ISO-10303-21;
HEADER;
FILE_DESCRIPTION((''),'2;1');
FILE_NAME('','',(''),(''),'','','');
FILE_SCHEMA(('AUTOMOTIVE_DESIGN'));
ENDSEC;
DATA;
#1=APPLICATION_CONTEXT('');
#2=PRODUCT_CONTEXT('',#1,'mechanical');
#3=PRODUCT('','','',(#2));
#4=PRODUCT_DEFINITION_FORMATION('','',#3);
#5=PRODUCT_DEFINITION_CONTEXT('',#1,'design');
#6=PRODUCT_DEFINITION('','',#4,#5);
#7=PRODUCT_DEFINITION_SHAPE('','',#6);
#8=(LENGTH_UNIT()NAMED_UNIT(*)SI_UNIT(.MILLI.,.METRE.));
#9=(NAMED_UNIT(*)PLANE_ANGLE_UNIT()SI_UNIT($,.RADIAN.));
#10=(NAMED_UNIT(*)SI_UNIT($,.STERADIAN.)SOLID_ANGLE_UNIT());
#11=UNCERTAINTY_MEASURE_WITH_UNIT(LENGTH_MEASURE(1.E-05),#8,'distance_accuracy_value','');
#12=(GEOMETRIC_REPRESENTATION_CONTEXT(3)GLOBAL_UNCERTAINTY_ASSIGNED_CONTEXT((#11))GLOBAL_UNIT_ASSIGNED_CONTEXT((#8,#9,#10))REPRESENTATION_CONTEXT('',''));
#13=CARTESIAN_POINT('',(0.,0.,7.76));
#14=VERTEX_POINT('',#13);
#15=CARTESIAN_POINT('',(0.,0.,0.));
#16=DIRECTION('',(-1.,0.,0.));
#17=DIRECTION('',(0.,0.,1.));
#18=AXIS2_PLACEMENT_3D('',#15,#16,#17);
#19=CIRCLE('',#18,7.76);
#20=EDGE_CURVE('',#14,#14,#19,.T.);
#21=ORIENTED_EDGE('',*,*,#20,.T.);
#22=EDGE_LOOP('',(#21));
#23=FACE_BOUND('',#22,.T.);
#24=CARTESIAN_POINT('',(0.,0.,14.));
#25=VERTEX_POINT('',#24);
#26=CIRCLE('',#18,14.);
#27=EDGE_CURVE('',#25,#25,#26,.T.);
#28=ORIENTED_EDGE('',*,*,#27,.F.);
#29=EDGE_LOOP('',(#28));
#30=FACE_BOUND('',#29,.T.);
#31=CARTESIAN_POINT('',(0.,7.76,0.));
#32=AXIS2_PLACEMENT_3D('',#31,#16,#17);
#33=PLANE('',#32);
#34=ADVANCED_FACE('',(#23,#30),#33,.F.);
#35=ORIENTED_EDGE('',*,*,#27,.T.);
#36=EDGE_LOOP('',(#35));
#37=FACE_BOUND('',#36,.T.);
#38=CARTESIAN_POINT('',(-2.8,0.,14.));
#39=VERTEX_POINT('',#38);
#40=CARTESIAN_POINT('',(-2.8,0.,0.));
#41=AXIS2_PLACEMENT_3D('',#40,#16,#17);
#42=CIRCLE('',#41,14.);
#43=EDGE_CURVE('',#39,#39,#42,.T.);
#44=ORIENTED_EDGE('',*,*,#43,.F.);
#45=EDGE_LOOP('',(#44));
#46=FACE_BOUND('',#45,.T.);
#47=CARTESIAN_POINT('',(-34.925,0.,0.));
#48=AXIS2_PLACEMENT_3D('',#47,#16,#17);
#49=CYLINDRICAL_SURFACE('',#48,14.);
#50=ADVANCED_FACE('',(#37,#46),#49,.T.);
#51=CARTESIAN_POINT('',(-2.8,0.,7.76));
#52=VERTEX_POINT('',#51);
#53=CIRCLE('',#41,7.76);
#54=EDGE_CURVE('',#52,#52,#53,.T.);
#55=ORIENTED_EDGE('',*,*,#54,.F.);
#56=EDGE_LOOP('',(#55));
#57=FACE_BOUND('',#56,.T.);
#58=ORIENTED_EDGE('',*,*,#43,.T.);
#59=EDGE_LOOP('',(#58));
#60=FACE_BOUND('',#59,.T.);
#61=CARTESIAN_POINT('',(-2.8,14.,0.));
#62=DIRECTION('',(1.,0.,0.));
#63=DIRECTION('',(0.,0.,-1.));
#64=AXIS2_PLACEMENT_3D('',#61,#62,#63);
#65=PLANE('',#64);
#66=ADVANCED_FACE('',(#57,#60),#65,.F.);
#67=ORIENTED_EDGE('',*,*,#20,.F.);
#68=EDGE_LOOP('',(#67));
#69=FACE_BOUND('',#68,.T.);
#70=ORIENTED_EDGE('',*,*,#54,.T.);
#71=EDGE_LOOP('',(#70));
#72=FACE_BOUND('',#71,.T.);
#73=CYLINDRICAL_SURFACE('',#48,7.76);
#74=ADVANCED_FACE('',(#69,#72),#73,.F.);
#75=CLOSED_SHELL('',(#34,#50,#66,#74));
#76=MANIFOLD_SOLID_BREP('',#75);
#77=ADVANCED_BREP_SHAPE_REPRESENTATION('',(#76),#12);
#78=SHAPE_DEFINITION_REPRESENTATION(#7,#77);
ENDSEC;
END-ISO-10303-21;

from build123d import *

# Parameters (mm, degrees)
SKETCH1_W = 2.8
SKETCH1_H = 6.24


with BuildPart() as part:
    # Sketch1 → Base-Revolve (revolve)
    with BuildSketch(Plane.XY):
        with Locations((-1.4, 10.88)):
            Rectangle(SKETCH1_W, SKETCH1_H)
    revolve(axis=Axis((-34.925, 0, 0), (1, 0, 0)))


solid = part.part
